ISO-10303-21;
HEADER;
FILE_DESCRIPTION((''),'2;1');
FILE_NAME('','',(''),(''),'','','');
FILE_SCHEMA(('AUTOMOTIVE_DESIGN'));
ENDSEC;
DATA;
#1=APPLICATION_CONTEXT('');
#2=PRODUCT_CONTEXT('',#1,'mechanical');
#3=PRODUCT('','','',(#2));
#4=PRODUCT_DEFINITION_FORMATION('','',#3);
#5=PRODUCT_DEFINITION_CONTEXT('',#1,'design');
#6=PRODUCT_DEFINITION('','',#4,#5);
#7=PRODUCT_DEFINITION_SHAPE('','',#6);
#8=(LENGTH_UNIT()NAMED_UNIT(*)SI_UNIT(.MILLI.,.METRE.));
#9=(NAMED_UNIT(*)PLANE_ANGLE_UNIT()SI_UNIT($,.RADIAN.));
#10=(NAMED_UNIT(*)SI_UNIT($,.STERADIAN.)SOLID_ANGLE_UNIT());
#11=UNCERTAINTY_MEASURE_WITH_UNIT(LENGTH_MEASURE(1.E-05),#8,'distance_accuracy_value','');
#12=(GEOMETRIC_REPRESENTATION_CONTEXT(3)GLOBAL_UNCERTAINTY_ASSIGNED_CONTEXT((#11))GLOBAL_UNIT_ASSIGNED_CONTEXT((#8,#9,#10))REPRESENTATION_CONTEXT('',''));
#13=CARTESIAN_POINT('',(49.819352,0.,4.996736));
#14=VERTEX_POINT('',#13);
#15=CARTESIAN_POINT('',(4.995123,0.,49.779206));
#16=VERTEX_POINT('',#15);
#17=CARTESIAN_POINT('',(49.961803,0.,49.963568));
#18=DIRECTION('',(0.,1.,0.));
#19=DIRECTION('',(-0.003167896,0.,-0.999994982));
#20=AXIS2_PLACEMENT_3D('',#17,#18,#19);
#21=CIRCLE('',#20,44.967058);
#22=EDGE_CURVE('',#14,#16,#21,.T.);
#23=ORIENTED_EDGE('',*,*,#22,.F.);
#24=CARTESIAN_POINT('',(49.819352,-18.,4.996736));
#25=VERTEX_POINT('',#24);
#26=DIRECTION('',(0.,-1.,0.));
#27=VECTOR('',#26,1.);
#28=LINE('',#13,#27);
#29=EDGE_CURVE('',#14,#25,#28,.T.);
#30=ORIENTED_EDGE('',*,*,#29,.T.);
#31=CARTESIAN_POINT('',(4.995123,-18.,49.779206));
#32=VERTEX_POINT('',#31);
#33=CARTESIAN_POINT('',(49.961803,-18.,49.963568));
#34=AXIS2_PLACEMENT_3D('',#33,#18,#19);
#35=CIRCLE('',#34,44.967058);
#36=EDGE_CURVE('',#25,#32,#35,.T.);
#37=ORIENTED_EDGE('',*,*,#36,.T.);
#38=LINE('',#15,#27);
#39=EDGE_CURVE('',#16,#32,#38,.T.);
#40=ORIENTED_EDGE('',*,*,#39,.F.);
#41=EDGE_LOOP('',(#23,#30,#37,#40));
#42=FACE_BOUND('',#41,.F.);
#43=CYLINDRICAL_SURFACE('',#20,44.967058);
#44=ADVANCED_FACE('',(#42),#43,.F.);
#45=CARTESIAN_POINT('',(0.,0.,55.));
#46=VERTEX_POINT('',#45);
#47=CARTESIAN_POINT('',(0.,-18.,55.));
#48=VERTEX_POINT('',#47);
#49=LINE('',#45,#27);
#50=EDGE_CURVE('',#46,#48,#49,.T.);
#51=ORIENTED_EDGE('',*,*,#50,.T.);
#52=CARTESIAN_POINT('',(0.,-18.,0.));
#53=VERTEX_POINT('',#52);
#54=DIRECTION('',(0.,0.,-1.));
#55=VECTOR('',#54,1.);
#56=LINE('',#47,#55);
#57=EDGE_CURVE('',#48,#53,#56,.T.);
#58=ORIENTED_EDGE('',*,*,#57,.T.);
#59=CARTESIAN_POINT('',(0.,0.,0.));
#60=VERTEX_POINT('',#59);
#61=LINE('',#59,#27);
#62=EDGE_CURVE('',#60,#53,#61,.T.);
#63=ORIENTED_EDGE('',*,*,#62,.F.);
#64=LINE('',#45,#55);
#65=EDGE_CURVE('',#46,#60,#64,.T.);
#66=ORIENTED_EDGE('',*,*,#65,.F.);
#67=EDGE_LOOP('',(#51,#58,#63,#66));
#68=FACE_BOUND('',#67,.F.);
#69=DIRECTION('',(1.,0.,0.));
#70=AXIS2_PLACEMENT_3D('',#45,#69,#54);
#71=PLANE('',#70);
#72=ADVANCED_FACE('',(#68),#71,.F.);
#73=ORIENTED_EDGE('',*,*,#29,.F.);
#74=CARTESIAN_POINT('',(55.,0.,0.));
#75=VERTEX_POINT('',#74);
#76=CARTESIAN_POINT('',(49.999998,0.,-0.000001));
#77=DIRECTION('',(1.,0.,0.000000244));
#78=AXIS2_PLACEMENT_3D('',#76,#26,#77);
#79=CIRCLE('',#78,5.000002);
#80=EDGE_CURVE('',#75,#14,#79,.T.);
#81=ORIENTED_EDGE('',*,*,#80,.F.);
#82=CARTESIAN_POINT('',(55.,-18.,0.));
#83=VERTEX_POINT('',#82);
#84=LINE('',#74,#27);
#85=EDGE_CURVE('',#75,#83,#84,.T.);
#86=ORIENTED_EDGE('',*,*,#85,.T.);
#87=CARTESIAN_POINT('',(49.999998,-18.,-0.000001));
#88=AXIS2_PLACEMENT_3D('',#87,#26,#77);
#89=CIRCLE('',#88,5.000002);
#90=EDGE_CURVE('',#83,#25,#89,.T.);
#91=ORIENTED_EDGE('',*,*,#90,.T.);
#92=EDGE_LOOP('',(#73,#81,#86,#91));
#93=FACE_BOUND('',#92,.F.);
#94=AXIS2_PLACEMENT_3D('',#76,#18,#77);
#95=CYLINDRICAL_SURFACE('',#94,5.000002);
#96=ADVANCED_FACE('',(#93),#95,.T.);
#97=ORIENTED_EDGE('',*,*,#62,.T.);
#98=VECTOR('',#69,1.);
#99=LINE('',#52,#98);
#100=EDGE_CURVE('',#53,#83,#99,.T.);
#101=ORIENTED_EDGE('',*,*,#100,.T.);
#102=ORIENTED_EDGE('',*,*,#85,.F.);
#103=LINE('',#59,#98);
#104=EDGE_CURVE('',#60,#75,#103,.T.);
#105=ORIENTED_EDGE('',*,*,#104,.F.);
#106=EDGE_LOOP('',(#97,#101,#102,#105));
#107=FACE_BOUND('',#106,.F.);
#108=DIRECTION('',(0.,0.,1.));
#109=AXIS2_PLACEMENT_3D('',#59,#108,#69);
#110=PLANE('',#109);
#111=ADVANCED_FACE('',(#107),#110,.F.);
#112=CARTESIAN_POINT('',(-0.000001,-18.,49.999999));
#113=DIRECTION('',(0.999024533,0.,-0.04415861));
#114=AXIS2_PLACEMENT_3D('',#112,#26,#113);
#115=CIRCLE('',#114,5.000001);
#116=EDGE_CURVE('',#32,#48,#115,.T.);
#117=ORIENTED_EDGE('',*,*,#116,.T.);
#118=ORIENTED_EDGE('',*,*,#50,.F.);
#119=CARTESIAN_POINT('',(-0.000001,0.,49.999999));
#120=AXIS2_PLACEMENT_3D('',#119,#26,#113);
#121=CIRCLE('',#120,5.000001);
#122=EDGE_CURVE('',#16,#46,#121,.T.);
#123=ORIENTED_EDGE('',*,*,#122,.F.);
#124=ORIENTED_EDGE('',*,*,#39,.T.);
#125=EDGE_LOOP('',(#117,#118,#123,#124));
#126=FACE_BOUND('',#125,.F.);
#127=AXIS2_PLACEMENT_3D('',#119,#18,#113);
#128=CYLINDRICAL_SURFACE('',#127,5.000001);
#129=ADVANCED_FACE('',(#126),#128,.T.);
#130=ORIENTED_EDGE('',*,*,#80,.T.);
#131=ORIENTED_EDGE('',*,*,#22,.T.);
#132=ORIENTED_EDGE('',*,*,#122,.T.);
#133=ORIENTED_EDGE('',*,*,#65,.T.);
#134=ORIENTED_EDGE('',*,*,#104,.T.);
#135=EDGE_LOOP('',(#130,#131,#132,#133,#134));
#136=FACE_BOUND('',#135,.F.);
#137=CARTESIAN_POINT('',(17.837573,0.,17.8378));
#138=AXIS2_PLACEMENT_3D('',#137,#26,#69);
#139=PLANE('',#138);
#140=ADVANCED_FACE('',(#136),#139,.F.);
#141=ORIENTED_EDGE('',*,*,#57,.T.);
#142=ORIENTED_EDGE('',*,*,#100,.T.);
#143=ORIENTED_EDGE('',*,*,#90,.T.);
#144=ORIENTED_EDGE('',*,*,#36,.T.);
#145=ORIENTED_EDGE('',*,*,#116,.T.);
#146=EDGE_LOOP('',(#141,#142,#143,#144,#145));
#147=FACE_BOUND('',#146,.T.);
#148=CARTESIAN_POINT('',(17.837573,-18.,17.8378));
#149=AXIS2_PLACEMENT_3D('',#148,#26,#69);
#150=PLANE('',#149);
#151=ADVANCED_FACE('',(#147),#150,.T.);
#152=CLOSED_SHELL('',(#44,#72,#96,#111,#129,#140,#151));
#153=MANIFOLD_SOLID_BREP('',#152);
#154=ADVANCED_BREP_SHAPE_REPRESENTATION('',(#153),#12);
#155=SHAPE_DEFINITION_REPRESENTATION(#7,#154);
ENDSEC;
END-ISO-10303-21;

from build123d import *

# Parameters (mm, degrees)
F1_DEPTH = 18
F2_DEPTH = 18


with BuildPart() as f1:
    # F0 (on Front) → F1 (new body)
    with BuildSketch(Plane.XZ):
        with BuildLine():
            Line((0, 50), (0, 0))
            Line((0, 0), (50, 0))
            Line((50, 0), (55, 0))
            ThreePointArc((55, 0), (53.471077, 3.598836), (49.819352, 4.996736))
            ThreePointArc((49.819352, 4.996736), (18.180113, 18.152242), (4.995123, 49.779206))
            ThreePointArc((4.995123, 49.779206), (3.612753, 53.45659), (0, 55))
            Line((0, 55), (0, 50))
        make_face()
    extrude(amount=F1_DEPTH)

    # F0 (on Front) → F2 (join)
    with BuildSketch(Plane.XZ):
        with BuildLine():
            Line((0, 50), (0, 0))
            Line((0, 0), (50, 0))
            Line((50, 0), (55, 0))
            ThreePointArc((55, 0), (53.471077, 3.598836), (49.819352, 4.996736))
            ThreePointArc((49.819352, 4.996736), (18.180113, 18.152242), (4.995123, 49.779206))
            ThreePointArc((4.995123, 49.779206), (3.612753, 53.45659), (0, 55))
            Line((0, 55), (0, 50))
        make_face()
    extrude(amount=F2_DEPTH)


solid = f1.part
